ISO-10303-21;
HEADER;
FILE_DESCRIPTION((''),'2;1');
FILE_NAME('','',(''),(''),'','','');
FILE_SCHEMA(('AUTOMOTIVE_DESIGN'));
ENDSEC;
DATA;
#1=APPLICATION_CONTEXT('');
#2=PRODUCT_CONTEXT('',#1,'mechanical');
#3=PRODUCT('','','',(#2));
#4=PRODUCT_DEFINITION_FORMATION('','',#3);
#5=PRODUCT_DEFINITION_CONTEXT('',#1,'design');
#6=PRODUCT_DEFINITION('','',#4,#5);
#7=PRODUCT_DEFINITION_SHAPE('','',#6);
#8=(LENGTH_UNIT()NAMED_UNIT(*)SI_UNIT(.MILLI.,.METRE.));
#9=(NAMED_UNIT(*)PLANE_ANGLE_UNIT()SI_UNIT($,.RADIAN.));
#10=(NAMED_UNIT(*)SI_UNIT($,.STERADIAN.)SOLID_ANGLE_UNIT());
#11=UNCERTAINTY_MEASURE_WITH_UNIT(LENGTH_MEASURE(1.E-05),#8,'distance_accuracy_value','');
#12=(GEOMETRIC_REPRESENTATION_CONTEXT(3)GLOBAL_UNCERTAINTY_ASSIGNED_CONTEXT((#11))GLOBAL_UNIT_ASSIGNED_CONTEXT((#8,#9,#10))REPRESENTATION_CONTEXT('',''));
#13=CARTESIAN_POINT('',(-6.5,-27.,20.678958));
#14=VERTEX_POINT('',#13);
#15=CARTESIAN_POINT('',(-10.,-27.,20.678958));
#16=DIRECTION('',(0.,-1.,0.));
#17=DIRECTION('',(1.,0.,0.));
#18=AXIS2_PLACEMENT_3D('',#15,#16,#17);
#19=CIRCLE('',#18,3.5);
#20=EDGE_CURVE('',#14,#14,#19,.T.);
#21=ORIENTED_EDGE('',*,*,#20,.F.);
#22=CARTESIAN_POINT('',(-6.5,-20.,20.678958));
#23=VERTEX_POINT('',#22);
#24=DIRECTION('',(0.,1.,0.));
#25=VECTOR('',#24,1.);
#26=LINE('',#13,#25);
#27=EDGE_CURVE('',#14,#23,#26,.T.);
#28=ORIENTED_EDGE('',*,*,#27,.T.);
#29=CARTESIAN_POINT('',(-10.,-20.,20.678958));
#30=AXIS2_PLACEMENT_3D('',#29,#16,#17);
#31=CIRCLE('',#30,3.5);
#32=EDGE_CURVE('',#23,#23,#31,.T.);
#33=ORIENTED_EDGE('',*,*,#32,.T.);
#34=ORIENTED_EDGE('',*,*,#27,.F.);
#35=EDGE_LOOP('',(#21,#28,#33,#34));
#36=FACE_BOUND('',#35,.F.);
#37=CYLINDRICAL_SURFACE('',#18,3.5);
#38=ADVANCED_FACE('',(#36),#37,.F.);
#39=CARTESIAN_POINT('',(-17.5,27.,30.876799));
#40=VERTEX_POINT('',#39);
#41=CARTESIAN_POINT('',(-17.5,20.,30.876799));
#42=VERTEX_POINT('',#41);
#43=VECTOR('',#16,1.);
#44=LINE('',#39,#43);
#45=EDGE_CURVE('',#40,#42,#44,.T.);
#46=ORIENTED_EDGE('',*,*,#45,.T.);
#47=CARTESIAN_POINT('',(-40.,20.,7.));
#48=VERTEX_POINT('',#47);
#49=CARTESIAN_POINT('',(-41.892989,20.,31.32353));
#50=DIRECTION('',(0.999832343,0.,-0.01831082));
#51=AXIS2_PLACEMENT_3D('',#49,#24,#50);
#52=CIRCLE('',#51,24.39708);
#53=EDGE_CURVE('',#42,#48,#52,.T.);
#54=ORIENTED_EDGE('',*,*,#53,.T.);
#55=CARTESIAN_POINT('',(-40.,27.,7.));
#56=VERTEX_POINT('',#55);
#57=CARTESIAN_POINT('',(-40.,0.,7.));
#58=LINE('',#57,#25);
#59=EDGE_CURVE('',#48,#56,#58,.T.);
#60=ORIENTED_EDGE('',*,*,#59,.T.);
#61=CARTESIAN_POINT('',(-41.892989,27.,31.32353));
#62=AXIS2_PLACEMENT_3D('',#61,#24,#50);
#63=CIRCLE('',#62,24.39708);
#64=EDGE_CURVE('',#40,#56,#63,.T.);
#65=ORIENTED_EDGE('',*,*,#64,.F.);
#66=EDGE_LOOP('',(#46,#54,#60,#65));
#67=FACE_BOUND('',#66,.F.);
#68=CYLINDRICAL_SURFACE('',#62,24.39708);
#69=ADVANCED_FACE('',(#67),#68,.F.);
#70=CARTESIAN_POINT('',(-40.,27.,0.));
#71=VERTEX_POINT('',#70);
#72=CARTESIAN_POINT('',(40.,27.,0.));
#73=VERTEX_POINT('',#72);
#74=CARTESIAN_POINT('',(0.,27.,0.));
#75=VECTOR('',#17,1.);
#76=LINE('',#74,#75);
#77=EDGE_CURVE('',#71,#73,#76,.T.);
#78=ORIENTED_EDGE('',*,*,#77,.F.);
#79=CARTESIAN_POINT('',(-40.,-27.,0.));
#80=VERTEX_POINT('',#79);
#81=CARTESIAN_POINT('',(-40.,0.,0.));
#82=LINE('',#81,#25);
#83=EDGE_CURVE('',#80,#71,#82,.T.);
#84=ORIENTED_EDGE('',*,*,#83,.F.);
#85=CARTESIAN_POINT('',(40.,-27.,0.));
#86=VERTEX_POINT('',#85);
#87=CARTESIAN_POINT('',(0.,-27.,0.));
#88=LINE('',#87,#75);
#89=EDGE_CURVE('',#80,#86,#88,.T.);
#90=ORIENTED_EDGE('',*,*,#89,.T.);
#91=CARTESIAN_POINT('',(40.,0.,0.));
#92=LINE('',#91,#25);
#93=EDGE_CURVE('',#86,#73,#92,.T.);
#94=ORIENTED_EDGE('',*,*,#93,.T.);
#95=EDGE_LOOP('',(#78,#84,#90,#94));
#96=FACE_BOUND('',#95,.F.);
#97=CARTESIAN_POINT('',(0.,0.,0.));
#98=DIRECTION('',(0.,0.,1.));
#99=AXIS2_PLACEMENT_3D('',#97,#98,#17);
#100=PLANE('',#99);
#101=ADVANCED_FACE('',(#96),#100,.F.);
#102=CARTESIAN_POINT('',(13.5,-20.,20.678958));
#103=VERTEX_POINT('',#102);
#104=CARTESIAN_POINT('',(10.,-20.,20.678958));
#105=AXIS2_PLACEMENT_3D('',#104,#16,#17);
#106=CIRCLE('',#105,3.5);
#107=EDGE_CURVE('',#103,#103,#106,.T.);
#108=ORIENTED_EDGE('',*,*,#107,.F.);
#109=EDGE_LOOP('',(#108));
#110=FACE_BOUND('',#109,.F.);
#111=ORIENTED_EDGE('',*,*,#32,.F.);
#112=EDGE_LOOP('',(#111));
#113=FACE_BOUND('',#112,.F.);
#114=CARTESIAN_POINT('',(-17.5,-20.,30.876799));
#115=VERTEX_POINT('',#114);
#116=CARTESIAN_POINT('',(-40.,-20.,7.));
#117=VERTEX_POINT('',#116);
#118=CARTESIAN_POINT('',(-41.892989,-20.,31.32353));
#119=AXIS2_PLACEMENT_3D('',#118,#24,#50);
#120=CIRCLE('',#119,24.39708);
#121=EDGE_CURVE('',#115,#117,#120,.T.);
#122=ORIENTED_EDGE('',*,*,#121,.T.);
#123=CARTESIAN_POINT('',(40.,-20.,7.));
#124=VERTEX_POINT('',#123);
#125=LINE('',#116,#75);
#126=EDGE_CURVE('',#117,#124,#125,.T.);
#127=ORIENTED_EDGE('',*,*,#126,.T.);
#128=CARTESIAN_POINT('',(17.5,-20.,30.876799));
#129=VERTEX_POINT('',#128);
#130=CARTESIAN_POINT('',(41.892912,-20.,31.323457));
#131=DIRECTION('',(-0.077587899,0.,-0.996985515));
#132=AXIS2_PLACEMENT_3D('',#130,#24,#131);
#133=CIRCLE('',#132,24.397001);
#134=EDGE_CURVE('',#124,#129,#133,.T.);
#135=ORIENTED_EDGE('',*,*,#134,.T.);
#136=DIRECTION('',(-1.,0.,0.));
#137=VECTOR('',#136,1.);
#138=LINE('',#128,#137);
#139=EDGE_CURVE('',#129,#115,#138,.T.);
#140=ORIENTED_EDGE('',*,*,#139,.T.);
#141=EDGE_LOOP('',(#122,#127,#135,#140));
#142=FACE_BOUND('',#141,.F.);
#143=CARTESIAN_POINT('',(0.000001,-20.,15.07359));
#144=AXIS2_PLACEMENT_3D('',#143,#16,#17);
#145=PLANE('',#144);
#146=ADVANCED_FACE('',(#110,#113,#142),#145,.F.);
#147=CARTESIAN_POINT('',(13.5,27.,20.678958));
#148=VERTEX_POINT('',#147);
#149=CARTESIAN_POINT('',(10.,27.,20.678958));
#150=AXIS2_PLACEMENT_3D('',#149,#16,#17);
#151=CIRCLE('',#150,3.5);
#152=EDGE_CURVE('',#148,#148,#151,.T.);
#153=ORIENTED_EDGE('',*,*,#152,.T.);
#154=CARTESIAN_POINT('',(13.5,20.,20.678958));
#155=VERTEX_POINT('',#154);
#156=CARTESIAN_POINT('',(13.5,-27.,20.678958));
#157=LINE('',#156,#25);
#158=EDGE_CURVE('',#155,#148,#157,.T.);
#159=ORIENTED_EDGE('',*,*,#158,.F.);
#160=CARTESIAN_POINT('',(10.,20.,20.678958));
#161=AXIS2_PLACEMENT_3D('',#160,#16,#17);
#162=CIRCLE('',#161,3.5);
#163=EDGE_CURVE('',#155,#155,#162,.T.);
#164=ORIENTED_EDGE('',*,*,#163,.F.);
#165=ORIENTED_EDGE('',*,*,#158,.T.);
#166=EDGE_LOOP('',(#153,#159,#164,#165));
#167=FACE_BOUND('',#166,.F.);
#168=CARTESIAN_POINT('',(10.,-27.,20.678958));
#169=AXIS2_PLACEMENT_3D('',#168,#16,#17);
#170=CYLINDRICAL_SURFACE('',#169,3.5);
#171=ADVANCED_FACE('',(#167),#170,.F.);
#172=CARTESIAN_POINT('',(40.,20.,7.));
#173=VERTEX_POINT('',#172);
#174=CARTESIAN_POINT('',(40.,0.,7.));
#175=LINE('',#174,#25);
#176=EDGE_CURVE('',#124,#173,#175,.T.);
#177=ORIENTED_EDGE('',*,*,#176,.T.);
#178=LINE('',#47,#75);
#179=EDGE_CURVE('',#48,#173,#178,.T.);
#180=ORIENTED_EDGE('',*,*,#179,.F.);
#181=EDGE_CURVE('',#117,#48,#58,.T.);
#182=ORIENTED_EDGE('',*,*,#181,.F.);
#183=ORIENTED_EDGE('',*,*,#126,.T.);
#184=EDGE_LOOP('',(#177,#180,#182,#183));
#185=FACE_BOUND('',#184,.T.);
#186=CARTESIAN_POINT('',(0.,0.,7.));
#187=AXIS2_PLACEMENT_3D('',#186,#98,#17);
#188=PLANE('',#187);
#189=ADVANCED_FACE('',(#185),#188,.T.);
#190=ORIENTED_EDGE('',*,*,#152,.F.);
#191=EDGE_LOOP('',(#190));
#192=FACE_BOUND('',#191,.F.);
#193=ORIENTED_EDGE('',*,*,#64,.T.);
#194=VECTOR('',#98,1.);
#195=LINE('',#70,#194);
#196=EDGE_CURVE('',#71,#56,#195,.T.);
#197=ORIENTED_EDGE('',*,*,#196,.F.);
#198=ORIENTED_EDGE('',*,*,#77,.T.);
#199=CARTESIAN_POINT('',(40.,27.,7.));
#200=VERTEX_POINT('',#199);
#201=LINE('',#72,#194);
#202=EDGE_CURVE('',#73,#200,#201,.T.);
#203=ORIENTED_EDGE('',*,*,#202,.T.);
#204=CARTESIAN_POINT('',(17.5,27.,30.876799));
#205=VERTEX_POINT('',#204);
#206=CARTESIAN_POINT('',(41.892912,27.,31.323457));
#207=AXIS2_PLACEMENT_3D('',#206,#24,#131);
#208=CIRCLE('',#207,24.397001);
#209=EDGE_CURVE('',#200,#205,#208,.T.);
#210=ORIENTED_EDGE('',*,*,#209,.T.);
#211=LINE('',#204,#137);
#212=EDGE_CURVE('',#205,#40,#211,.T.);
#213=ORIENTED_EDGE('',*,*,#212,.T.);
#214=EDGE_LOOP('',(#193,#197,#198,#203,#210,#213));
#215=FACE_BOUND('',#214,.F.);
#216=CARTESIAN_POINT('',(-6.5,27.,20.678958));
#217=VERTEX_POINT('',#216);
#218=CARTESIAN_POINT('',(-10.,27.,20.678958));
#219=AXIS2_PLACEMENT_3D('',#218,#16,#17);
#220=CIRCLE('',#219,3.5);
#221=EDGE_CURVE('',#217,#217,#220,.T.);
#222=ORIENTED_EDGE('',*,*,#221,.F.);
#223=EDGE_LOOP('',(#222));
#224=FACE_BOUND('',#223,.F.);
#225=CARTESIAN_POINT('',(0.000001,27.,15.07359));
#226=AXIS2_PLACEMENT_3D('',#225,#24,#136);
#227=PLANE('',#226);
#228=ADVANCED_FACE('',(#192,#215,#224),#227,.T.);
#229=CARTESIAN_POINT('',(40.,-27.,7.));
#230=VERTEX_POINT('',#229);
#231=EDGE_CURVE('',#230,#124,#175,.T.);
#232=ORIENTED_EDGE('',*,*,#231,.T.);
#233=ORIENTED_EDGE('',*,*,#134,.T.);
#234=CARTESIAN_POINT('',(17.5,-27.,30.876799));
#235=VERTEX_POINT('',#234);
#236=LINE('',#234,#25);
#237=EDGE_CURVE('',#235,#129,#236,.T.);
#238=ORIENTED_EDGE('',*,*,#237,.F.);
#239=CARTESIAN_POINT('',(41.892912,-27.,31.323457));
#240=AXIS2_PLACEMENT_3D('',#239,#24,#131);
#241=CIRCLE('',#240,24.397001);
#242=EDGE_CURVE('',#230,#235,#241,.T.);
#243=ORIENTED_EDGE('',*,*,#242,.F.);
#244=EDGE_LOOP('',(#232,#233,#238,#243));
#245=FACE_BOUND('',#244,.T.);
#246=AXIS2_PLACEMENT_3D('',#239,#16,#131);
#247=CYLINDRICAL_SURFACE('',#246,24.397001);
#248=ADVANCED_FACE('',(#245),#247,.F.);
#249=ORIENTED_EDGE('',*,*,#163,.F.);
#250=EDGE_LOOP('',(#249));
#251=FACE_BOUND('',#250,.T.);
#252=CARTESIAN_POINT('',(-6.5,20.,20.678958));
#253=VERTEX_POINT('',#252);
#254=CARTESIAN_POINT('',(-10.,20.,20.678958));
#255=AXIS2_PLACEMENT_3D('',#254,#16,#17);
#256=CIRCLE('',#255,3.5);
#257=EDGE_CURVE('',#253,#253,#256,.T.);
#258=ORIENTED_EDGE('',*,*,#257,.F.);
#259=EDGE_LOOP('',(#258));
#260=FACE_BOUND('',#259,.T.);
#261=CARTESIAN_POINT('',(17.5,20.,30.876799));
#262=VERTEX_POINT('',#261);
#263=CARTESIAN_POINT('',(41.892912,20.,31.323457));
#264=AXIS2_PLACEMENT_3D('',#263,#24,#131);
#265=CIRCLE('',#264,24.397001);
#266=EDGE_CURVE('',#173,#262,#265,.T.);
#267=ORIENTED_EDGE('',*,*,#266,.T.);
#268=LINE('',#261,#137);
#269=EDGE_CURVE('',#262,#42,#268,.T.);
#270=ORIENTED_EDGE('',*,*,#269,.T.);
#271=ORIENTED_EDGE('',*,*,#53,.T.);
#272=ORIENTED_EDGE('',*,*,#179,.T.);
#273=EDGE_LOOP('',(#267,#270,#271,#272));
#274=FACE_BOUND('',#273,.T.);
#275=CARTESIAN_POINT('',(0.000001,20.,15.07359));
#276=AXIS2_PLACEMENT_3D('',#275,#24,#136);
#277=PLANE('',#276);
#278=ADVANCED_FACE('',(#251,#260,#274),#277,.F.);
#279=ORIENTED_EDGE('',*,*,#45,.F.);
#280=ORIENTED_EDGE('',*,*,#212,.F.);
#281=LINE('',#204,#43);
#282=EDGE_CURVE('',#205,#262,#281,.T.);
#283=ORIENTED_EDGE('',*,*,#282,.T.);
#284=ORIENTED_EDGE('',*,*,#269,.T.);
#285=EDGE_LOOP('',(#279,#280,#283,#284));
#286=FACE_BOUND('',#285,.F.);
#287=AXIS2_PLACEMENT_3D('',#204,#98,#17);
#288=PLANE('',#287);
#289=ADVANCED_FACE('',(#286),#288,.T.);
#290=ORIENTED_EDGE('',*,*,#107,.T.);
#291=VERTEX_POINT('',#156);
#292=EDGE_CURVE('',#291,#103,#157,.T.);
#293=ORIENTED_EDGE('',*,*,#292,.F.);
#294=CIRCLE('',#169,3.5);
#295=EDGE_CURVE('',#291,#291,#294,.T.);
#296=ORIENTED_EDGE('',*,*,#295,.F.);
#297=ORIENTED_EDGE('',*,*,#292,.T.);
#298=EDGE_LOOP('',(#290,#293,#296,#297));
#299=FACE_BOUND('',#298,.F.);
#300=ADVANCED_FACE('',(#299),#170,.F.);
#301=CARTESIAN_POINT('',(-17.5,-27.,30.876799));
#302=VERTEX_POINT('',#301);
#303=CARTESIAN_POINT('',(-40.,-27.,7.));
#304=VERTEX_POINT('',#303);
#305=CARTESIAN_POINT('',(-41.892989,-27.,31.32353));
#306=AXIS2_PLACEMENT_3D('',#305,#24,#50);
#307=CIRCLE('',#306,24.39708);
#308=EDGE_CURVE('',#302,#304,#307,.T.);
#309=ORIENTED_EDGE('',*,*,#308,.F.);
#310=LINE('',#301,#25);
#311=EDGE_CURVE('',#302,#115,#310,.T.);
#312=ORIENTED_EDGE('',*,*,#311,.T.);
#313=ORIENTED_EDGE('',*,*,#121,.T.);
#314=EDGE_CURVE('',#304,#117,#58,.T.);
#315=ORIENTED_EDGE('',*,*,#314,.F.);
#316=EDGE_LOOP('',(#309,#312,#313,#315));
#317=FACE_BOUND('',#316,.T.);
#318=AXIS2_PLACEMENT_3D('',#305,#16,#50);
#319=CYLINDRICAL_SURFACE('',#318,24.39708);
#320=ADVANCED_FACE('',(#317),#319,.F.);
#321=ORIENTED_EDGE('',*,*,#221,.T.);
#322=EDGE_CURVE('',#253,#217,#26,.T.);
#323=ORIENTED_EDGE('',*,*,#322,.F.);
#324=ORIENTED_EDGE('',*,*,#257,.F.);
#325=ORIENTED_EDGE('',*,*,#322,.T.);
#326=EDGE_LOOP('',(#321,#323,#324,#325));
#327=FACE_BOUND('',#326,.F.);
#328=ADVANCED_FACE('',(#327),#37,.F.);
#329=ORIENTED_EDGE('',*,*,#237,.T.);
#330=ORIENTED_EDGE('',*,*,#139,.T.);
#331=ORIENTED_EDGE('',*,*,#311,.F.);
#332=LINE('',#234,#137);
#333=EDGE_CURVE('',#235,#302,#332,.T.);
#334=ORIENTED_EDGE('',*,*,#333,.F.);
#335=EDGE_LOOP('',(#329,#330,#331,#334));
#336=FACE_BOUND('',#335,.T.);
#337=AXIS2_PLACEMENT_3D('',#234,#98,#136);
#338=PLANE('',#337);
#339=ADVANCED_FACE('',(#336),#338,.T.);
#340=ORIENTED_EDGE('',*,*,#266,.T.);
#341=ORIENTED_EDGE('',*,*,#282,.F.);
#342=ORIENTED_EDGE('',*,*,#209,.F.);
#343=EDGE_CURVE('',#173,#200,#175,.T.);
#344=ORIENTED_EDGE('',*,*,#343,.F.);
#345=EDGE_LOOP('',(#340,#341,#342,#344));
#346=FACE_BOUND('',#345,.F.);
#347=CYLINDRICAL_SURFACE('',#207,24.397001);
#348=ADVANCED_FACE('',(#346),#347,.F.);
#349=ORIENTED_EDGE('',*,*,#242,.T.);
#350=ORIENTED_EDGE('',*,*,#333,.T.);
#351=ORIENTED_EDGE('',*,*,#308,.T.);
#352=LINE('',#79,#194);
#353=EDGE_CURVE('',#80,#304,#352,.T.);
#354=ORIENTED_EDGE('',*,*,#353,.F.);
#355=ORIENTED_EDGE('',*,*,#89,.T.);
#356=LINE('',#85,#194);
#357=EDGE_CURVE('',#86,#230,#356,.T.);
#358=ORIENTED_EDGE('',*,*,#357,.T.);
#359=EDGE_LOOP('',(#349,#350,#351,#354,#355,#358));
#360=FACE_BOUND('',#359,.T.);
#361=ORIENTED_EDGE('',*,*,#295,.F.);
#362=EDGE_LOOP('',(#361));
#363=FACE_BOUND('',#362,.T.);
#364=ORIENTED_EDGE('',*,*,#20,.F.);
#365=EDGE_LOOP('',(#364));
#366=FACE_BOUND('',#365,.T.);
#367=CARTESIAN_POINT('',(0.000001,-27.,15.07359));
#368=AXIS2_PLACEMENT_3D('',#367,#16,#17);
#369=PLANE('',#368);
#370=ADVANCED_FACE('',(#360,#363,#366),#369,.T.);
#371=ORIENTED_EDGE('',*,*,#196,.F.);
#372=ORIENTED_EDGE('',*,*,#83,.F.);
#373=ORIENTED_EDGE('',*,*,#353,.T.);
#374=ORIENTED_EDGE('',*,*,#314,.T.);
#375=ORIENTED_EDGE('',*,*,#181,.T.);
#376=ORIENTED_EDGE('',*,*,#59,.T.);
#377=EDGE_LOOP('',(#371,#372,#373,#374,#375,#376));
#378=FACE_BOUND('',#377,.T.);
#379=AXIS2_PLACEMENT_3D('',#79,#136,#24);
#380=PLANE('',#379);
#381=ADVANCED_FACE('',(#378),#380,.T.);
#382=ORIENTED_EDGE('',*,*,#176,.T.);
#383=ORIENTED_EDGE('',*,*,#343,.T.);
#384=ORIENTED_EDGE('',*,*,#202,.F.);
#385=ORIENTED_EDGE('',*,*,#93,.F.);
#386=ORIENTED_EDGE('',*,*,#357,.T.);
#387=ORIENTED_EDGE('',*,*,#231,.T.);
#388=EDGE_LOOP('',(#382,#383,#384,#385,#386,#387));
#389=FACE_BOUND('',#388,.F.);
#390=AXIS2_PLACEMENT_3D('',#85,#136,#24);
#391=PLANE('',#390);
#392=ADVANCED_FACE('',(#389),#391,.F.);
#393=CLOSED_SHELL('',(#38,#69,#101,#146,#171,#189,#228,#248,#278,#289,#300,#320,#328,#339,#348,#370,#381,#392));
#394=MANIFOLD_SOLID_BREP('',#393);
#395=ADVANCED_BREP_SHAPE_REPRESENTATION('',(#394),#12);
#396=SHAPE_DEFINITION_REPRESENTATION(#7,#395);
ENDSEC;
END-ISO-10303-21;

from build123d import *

# Parameters (mm, degrees)
F0_W     = 80
F0_H     = 54
F1_DEPTH = 7
F3_DEPTH = 7
F5_R     = 3.5
F6_DEPTH = 54.001


with BuildPart() as f1:
    # F0 (on Top) → F1 (new body)
    with BuildSketch(Plane.XY):
        Rectangle(F0_W, F0_H)
    extrude(amount=F1_DEPTH)

    # F2 (on face) → F3 (join)
    with BuildSketch(Plane.XZ.offset(27)):
        with BuildLine():
            Line((17.5, 30.876799), (-17.5, 30.876799))
            ThreePointArc((-17.5, 30.876799), (-24.137327, 14.591705), (-40, 7))
            Line((-40, 7), (40, 7))
            ThreePointArc((40, 7), (24.137307, 14.591686), (17.5, 30.876799))
        make_face()
    extrude(amount=-F3_DEPTH)

    # F4: F1 across plane


with BuildPart() as f1_1:
    add(f1.part)
    add(f1.part.mirror(Plane.XZ))

    # F5 (on face) → F6 (cut, through all)
    with BuildSketch(Plane.XZ.offset(27)):
        with Locations((-10, 20.678958)):
            Circle(F5_R)
        with Locations((10, 20.678958)):
            Circle(F5_R)
    extrude(amount=-F6_DEPTH, mode=Mode.SUBTRACT)


solid = f1_1.part
